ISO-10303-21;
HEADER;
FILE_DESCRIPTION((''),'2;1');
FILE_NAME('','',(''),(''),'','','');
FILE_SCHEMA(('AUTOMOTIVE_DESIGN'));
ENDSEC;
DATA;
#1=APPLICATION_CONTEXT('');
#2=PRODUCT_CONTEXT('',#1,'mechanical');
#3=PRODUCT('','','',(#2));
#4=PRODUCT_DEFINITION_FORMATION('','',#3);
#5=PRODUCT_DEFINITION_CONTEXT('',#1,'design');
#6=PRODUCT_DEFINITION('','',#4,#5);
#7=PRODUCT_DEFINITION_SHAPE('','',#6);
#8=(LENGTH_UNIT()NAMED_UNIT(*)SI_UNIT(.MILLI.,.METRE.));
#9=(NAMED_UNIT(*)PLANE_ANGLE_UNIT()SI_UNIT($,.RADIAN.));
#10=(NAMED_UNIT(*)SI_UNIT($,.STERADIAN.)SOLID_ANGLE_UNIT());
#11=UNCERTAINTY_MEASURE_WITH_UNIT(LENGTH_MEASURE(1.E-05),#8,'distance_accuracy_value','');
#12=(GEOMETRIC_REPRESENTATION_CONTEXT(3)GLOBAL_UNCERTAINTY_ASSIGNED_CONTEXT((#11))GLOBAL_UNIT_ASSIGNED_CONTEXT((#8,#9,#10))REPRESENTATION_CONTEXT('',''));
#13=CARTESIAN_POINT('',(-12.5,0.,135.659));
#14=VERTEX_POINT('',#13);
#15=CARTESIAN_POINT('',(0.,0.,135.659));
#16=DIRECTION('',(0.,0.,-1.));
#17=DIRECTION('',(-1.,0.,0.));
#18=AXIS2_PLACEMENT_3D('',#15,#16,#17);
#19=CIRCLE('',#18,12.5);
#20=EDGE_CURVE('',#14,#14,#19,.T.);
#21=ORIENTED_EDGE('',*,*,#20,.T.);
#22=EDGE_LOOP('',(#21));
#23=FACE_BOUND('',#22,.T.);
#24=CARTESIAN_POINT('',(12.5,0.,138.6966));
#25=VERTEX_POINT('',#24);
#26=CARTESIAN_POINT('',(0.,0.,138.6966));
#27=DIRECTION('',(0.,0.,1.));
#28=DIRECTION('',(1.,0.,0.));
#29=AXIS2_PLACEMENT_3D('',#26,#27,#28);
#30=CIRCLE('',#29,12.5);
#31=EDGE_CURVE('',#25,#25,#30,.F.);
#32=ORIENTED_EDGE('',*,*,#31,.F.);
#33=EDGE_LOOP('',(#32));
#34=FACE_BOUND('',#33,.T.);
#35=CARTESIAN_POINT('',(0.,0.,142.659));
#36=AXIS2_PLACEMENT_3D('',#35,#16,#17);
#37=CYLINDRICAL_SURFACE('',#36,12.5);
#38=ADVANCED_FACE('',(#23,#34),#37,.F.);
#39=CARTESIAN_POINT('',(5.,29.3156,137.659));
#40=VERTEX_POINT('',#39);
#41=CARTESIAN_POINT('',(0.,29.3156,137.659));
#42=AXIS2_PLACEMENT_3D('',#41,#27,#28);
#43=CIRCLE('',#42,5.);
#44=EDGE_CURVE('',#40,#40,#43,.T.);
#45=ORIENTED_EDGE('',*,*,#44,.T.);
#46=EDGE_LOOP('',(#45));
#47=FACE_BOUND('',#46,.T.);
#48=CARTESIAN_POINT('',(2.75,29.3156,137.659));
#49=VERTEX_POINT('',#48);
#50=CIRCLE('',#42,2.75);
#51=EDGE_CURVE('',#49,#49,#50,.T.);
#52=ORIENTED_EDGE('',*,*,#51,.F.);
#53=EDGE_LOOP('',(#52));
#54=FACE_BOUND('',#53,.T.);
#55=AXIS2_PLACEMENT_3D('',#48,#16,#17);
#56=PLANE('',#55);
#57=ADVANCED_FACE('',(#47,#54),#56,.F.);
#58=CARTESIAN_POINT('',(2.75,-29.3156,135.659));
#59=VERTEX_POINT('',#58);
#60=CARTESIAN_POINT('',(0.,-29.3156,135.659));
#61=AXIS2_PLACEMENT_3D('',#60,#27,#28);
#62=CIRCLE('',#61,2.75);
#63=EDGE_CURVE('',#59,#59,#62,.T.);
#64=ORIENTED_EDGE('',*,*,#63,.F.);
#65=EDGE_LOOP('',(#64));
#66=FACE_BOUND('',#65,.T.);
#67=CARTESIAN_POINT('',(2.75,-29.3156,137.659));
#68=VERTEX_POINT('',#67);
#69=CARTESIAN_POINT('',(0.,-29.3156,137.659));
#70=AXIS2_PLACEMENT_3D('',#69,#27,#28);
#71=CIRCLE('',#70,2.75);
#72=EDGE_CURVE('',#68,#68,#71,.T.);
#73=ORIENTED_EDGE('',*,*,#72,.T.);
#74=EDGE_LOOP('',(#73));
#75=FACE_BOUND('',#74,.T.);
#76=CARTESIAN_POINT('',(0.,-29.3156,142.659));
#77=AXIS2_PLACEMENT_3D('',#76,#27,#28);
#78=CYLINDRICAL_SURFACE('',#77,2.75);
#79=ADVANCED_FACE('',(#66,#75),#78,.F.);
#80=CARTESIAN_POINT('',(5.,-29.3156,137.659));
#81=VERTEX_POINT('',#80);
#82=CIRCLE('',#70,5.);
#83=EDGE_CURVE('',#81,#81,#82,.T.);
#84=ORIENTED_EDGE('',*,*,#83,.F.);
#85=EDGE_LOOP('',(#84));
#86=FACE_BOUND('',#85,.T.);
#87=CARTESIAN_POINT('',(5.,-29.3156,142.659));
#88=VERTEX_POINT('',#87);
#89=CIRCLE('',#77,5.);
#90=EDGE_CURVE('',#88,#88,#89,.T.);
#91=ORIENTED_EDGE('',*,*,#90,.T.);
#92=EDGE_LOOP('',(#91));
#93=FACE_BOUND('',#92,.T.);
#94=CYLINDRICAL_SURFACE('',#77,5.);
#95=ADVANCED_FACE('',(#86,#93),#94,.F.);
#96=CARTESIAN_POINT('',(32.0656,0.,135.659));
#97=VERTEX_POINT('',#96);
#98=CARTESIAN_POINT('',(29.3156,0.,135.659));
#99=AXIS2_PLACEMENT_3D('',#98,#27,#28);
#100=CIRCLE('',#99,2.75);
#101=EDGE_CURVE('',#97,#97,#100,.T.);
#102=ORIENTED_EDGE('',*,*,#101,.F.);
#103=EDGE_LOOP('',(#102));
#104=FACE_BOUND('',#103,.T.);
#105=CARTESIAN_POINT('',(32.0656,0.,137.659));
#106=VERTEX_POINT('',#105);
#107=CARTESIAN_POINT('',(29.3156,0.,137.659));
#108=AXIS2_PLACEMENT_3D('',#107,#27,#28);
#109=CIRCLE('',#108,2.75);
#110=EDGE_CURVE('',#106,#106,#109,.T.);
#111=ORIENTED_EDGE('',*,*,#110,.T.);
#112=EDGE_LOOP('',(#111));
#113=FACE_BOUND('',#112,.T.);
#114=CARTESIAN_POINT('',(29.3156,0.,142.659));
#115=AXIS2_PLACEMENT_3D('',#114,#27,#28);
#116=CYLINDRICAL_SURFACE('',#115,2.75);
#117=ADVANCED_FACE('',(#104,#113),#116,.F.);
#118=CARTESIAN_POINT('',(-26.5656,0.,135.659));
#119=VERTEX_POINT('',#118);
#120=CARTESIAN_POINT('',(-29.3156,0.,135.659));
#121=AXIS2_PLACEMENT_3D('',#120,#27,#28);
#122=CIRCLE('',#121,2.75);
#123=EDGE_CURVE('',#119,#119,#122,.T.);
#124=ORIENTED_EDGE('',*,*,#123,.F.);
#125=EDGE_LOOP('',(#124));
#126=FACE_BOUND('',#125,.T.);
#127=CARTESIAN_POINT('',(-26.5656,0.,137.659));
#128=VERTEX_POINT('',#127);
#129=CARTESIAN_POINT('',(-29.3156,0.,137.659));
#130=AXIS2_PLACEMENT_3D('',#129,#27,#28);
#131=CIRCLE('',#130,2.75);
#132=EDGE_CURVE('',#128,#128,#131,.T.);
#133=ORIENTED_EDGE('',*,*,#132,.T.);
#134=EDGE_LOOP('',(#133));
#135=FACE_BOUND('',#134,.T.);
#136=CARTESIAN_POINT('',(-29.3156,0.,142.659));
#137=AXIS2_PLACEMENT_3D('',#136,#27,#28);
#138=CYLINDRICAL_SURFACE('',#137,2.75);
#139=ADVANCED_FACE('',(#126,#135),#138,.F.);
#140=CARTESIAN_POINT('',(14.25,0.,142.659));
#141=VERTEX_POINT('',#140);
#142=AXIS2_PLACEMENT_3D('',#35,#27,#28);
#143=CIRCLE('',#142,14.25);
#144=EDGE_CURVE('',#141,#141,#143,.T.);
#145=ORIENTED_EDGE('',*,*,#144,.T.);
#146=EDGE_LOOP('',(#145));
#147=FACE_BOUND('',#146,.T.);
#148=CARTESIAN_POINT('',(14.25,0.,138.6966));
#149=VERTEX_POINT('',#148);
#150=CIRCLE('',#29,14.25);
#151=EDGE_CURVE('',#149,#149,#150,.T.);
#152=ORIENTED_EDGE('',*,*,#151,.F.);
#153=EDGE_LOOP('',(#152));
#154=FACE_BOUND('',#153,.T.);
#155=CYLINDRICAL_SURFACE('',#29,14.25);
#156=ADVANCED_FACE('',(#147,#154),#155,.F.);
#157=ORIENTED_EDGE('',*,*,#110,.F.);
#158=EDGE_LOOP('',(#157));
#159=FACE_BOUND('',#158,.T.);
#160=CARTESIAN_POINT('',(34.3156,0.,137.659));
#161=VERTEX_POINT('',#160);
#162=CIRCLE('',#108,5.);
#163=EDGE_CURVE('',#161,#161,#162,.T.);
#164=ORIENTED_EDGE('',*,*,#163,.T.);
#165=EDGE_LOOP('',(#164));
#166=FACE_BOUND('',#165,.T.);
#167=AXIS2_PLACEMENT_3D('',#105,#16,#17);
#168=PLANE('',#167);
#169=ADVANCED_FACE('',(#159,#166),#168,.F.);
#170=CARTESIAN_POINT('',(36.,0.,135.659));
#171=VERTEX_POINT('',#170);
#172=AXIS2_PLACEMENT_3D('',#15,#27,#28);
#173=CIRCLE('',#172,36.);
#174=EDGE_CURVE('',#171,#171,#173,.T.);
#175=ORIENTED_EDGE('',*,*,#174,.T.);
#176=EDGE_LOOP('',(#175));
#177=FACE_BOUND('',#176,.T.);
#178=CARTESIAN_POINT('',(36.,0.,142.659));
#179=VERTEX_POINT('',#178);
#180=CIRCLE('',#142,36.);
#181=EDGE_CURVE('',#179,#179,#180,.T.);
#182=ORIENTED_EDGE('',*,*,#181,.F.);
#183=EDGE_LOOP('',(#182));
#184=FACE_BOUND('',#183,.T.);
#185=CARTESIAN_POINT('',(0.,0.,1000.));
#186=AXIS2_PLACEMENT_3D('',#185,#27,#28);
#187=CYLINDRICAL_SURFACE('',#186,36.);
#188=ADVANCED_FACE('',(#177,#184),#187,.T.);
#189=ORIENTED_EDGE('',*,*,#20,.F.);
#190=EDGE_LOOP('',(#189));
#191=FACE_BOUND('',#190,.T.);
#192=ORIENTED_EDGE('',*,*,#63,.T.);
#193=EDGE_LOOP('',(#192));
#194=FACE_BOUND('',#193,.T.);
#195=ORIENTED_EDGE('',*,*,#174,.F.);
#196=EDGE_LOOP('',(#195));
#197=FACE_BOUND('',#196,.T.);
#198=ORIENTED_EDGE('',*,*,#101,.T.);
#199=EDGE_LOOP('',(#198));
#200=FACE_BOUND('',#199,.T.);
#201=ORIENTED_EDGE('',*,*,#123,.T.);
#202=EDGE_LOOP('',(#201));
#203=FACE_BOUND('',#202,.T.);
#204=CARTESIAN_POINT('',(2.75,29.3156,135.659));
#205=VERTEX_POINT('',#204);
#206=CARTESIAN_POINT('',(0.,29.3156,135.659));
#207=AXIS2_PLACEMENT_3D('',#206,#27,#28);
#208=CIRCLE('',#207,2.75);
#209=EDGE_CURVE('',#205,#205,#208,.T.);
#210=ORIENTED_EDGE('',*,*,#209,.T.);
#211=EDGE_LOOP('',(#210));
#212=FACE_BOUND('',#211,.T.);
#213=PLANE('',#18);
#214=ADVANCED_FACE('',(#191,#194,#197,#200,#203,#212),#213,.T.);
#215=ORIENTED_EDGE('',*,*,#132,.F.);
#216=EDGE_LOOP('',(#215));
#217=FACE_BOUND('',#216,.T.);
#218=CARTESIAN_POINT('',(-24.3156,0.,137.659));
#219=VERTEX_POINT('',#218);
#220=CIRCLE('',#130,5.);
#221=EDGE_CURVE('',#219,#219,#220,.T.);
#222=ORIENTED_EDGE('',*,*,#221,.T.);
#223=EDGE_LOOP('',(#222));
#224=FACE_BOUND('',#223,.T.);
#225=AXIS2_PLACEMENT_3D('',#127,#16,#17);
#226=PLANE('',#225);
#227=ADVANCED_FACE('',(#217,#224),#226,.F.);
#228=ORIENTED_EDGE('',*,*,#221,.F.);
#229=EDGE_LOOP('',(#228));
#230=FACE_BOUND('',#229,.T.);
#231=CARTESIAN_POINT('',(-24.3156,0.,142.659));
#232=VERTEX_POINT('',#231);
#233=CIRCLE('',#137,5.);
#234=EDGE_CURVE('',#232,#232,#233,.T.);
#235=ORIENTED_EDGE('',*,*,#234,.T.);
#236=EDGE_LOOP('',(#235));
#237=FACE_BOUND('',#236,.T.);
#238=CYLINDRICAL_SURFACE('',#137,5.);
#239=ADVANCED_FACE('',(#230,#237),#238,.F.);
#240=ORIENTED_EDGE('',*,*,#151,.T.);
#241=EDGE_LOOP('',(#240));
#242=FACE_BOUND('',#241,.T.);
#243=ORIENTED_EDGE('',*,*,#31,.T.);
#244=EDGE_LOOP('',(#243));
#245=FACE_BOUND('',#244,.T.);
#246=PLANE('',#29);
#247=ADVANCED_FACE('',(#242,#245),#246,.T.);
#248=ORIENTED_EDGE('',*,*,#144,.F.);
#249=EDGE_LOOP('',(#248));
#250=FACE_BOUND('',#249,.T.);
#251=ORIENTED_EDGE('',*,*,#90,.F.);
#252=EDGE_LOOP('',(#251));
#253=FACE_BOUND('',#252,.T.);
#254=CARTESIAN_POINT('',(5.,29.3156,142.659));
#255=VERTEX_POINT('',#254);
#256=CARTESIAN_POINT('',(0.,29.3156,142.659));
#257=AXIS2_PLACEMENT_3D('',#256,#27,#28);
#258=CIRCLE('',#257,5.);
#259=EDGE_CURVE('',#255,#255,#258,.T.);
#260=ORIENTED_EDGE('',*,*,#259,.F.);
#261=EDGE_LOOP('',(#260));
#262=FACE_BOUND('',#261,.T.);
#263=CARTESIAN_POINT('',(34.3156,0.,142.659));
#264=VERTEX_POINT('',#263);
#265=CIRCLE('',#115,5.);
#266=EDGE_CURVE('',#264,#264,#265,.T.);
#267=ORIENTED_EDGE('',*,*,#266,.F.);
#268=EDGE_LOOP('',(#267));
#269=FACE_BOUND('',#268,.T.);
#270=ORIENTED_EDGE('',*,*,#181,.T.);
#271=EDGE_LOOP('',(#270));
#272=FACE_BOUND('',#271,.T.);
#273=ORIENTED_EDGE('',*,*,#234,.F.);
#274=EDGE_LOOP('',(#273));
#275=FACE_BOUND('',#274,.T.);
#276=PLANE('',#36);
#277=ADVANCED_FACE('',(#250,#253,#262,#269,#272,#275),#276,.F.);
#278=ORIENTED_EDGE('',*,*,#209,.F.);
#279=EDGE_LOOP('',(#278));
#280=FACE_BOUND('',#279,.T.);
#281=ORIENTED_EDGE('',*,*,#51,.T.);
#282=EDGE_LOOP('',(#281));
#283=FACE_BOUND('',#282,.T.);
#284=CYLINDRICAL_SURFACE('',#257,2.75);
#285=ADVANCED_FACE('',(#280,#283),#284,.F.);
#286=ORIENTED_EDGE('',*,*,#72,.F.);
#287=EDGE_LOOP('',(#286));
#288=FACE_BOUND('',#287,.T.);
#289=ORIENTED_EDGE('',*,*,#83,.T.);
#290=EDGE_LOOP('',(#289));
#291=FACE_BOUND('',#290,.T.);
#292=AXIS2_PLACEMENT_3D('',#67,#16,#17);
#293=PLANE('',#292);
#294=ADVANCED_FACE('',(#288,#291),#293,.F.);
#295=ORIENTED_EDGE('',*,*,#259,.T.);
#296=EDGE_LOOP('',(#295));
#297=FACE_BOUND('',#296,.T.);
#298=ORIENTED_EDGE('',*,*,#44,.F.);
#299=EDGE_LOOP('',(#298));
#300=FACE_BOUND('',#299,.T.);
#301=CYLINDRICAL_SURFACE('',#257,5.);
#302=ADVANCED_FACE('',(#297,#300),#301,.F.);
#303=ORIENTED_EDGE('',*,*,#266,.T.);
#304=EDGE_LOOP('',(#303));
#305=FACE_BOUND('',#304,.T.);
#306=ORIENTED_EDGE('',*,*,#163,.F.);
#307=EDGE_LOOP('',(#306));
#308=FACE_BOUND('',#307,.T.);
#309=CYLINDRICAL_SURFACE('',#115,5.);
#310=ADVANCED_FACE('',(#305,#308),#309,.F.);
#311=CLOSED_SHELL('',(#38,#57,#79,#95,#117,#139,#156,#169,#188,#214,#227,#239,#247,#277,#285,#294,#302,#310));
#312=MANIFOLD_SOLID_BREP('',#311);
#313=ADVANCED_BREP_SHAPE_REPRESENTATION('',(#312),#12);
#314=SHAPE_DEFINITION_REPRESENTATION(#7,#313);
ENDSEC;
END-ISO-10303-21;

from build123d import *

# Parameters (mm, degrees)
SKETCH1_W                      = 7
SKETCH1_H                      = 26.5
SKETCH2_R                      = 12.5
SHAFT_THRU_DEPTH               = 52.39066063
CBORE_FOR_M5_SHCS1_D           = 5.5
CBORE_FOR_M5_SHCS1_CBORE_D     = 10
CBORE_FOR_M5_SHCS1_CBORE_DEPTH = 5
CIRPATTERN1_COUNT              = 4
SKETCH5_R                      = 14.25
SEAL_SEAT_DEPTH                = 3.9624


with BuildPart() as part:
    # Sketch1 → Main_body (revolve)
    with BuildSketch(Plane(origin=(0, 0, 0), x_dir=(0, 0, -1), z_dir=(1, 0, 0)), mode=Mode.PRIVATE) as main_body_sk:
        with Locations((-139.159, -22.75)):
            Rectangle(SKETCH1_W, SKETCH1_H)
        with Locations((-139.159, 22.75)):
            Rectangle(SKETCH1_W, SKETCH1_H)
    revolve(main_body_sk.sketch.rotate(Axis((0, 0, 1000), (0, 0, -1)), 270), axis=Axis((0, 0, 1000), (0, 0, -1)))

    # Sketch2 → Shaft_thru (cut, through all)
    with BuildSketch(Plane(origin=(0, 0, 135.659), x_dir=(-1, 0, 0), z_dir=(0, 0, -1))):
        Circle(SKETCH2_R)
    extrude(amount=-SHAFT_THRU_DEPTH, mode=Mode.SUBTRACT)

    # CBORE for M5 SHCS1 (through all)
    with Locations(Plane.XY.offset(142.659)):
        with Locations((0, 29.3156)):
            cbore_for_m5_shcs1 = CounterBoreHole(CBORE_FOR_M5_SHCS1_D / 2, CBORE_FOR_M5_SHCS1_CBORE_D / 2, CBORE_FOR_M5_SHCS1_CBORE_DEPTH)

    # CirPattern1: CBORE for M5 SHCS1 ×4 about axis
    cirpattern1_axis = Axis((0, 0, 0), (0, 0, 1))
    for i in range(1, CIRPATTERN1_COUNT):
        add(cbore_for_m5_shcs1.rotate(cirpattern1_axis, i * 360 / CIRPATTERN1_COUNT), mode=Mode.SUBTRACT)

    # Sketch5 → seal_seat (cut)
    with BuildSketch(Plane.XY.offset(142.659)):
        Circle(SKETCH5_R)
    extrude(amount=-SEAL_SEAT_DEPTH, mode=Mode.SUBTRACT)


solid = part.part
